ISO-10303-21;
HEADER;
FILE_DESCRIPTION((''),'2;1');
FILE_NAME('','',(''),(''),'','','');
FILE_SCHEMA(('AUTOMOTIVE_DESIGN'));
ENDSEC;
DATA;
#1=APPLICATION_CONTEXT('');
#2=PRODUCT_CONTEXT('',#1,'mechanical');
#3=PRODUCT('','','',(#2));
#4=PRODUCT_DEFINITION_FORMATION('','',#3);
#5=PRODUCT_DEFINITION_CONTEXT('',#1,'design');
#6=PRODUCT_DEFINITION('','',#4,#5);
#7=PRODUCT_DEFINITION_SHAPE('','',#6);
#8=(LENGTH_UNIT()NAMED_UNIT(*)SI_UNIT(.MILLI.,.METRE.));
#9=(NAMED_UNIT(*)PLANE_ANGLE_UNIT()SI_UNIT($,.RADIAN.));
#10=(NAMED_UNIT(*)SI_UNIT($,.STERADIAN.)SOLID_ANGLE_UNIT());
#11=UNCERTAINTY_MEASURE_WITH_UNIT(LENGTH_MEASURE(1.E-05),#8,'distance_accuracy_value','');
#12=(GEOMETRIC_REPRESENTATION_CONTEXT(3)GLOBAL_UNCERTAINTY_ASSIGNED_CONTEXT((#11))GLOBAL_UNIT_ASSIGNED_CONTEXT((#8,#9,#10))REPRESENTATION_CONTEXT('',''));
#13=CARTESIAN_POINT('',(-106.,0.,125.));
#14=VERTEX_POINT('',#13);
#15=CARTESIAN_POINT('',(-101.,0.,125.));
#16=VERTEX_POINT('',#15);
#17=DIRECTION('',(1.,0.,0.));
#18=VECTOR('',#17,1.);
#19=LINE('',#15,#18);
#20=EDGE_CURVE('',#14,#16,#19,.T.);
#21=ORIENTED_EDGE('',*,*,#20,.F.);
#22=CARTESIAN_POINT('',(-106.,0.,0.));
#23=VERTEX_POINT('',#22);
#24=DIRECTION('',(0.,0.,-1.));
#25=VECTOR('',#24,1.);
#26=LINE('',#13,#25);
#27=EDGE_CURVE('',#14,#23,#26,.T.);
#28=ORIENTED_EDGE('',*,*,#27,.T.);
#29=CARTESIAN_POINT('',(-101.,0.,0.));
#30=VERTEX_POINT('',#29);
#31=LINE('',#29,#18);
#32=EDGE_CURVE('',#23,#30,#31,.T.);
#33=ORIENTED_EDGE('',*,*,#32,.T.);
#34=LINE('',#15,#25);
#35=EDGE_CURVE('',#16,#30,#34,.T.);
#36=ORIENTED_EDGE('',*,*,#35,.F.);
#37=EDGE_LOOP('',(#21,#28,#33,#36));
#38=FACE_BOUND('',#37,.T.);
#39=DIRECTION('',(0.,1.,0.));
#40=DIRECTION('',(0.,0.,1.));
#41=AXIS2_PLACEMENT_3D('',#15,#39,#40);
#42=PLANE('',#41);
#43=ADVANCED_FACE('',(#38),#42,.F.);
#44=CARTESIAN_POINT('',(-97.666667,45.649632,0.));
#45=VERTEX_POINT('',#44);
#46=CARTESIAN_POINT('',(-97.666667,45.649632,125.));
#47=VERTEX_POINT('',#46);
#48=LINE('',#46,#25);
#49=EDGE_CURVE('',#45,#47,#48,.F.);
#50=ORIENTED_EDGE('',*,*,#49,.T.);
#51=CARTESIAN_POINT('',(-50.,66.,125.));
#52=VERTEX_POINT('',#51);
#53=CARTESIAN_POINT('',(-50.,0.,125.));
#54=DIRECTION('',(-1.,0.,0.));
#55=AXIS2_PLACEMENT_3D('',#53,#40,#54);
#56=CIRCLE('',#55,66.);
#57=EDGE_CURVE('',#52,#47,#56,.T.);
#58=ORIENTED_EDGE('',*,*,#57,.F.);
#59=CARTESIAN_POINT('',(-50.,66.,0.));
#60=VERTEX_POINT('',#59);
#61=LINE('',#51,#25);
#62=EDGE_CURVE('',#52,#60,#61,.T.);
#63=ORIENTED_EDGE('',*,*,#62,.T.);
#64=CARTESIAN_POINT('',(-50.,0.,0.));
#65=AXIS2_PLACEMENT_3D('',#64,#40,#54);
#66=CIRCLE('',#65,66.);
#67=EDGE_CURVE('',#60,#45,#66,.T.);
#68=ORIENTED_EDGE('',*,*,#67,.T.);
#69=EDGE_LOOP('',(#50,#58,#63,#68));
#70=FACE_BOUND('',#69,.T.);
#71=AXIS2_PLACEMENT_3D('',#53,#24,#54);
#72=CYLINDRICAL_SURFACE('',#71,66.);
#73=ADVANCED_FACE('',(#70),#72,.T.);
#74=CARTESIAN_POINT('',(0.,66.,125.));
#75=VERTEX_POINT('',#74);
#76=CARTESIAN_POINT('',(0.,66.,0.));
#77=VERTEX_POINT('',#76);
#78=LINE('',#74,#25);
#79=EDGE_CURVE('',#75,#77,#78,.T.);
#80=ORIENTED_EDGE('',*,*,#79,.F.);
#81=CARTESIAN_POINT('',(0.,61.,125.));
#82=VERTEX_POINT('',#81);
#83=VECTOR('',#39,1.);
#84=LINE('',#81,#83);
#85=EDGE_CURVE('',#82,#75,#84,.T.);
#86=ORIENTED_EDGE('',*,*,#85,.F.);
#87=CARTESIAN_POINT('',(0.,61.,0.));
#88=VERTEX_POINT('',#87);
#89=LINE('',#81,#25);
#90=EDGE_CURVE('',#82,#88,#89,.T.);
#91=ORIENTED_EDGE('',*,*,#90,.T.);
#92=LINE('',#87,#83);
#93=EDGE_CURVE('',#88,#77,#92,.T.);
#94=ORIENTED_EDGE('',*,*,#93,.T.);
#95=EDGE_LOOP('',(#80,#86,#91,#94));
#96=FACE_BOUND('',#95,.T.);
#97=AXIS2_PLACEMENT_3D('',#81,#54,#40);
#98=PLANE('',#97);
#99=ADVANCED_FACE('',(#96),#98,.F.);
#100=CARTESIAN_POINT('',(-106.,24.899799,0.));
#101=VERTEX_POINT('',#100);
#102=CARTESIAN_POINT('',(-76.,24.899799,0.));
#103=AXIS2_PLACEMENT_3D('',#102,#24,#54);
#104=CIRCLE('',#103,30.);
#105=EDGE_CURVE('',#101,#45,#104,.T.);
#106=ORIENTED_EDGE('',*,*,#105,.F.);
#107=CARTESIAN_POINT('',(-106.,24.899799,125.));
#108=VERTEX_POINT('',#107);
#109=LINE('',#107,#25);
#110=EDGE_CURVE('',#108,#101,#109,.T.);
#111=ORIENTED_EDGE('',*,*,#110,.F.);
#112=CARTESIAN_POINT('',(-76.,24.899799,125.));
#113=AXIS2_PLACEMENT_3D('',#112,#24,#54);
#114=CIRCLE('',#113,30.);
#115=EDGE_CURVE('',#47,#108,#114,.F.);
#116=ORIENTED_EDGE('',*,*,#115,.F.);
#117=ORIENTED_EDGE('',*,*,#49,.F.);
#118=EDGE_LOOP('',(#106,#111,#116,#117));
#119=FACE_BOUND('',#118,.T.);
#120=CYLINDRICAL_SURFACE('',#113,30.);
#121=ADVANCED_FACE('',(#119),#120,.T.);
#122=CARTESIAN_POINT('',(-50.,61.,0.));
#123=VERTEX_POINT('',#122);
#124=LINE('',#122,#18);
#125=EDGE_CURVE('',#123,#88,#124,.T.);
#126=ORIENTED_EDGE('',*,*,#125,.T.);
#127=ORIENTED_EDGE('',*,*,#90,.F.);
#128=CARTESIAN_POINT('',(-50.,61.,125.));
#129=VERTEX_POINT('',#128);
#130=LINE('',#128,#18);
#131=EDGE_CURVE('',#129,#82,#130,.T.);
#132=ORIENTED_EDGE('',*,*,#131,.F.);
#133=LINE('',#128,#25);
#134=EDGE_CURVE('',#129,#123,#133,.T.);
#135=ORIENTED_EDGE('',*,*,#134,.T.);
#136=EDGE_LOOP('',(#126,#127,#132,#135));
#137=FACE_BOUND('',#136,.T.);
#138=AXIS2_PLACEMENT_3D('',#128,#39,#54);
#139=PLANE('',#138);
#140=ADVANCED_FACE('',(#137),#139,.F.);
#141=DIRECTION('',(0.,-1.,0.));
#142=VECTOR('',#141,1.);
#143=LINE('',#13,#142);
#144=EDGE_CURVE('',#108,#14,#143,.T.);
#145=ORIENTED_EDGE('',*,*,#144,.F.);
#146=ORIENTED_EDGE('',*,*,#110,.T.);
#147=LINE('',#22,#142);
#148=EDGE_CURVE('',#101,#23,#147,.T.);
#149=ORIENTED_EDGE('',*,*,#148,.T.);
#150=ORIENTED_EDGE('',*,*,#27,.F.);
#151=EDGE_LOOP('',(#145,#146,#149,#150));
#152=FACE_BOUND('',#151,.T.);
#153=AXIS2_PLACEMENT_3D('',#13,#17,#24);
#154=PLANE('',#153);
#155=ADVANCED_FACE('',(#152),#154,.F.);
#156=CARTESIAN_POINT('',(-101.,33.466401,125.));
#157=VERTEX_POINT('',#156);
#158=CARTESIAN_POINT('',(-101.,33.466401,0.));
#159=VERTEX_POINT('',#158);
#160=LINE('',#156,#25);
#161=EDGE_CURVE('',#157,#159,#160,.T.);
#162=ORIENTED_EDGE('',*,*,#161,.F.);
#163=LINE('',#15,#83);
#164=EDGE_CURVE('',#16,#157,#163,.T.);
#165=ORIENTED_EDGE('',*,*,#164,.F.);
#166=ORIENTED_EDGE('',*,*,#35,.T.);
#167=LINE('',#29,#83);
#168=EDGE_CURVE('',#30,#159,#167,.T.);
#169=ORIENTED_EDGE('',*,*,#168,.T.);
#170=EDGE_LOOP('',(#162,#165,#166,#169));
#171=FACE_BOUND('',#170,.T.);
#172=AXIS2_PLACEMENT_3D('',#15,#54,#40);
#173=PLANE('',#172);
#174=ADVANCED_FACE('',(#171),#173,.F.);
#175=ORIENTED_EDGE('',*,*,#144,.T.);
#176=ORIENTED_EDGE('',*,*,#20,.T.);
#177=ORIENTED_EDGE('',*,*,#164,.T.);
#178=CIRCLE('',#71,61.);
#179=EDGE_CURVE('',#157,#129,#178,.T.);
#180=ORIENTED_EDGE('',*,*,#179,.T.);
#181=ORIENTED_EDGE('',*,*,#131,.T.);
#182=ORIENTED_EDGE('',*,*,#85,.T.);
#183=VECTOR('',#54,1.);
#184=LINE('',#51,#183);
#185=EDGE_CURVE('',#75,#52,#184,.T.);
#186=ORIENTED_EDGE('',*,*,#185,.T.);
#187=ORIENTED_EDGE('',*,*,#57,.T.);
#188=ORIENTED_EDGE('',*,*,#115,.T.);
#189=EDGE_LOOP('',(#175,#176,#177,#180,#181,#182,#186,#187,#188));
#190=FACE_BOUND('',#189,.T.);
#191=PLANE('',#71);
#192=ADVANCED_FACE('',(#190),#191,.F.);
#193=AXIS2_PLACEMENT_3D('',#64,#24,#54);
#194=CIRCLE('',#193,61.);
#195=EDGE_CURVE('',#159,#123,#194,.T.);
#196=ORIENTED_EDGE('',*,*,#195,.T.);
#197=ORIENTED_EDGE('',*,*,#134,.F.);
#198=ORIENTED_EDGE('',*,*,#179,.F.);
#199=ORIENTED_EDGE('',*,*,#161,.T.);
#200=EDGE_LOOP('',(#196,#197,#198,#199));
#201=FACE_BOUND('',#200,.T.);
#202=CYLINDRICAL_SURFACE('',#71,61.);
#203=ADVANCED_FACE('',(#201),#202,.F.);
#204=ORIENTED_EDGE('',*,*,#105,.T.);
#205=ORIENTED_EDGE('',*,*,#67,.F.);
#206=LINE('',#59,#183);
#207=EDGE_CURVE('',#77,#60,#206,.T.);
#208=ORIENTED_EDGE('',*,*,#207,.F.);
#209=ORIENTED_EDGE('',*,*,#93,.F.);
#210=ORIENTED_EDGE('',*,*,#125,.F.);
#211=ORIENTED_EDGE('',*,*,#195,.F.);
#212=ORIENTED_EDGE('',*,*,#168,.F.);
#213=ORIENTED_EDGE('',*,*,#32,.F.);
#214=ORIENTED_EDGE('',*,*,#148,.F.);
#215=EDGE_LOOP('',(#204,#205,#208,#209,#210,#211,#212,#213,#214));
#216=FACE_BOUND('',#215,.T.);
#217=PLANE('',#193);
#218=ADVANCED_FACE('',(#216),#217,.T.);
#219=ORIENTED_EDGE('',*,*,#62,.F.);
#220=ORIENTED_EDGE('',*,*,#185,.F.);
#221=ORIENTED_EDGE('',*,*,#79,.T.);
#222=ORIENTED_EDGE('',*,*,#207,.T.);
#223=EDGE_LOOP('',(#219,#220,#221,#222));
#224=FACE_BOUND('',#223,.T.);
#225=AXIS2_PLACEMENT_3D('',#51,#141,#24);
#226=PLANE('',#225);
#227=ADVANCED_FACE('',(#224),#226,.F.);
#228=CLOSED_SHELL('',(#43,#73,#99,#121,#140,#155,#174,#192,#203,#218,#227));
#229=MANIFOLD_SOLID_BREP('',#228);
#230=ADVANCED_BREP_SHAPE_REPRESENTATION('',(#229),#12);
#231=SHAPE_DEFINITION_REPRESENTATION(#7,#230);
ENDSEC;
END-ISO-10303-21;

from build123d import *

# Parameters (mm, degrees)
EXTRUDE_1_DEPTH = 125
FILLET_1_R      = 30


with BuildPart() as part:
    # ｽｹｯﾁ1 → ﾎﾞｽ - 押し出し1 (new body)
    with BuildSketch(Plane.XY):
        with BuildLine():
            Line((-101, 0), (-101, 33.466401061))
            ThreePointArc((-101, 33.466401061), (-78.978867604, 53.677045675), (-50, 61))
            Line((-50, 61), (0, 61))
            Line((0, 61), (0, 66))
            Line((0, 66), (-50, 66))
            ThreePointArc((-50, 66), (-82.02123597, 57.711701127), (-106, 34.928498393))
            Line((-106, 34.928498393), (-106, 0))
            Line((-106, 0), (-101, 0))
        make_face()
    extrude(amount=EXTRUDE_1_DEPTH)

    # ﾌｨﾚｯﾄ1
    fillet_1_edges = [part.edges().sort_by_distance(p)[0] for p in [
        (-106, 34.928498393, 62.5),
    ]]
    fillet(fillet_1_edges, radius=FILLET_1_R)


solid = part.part
